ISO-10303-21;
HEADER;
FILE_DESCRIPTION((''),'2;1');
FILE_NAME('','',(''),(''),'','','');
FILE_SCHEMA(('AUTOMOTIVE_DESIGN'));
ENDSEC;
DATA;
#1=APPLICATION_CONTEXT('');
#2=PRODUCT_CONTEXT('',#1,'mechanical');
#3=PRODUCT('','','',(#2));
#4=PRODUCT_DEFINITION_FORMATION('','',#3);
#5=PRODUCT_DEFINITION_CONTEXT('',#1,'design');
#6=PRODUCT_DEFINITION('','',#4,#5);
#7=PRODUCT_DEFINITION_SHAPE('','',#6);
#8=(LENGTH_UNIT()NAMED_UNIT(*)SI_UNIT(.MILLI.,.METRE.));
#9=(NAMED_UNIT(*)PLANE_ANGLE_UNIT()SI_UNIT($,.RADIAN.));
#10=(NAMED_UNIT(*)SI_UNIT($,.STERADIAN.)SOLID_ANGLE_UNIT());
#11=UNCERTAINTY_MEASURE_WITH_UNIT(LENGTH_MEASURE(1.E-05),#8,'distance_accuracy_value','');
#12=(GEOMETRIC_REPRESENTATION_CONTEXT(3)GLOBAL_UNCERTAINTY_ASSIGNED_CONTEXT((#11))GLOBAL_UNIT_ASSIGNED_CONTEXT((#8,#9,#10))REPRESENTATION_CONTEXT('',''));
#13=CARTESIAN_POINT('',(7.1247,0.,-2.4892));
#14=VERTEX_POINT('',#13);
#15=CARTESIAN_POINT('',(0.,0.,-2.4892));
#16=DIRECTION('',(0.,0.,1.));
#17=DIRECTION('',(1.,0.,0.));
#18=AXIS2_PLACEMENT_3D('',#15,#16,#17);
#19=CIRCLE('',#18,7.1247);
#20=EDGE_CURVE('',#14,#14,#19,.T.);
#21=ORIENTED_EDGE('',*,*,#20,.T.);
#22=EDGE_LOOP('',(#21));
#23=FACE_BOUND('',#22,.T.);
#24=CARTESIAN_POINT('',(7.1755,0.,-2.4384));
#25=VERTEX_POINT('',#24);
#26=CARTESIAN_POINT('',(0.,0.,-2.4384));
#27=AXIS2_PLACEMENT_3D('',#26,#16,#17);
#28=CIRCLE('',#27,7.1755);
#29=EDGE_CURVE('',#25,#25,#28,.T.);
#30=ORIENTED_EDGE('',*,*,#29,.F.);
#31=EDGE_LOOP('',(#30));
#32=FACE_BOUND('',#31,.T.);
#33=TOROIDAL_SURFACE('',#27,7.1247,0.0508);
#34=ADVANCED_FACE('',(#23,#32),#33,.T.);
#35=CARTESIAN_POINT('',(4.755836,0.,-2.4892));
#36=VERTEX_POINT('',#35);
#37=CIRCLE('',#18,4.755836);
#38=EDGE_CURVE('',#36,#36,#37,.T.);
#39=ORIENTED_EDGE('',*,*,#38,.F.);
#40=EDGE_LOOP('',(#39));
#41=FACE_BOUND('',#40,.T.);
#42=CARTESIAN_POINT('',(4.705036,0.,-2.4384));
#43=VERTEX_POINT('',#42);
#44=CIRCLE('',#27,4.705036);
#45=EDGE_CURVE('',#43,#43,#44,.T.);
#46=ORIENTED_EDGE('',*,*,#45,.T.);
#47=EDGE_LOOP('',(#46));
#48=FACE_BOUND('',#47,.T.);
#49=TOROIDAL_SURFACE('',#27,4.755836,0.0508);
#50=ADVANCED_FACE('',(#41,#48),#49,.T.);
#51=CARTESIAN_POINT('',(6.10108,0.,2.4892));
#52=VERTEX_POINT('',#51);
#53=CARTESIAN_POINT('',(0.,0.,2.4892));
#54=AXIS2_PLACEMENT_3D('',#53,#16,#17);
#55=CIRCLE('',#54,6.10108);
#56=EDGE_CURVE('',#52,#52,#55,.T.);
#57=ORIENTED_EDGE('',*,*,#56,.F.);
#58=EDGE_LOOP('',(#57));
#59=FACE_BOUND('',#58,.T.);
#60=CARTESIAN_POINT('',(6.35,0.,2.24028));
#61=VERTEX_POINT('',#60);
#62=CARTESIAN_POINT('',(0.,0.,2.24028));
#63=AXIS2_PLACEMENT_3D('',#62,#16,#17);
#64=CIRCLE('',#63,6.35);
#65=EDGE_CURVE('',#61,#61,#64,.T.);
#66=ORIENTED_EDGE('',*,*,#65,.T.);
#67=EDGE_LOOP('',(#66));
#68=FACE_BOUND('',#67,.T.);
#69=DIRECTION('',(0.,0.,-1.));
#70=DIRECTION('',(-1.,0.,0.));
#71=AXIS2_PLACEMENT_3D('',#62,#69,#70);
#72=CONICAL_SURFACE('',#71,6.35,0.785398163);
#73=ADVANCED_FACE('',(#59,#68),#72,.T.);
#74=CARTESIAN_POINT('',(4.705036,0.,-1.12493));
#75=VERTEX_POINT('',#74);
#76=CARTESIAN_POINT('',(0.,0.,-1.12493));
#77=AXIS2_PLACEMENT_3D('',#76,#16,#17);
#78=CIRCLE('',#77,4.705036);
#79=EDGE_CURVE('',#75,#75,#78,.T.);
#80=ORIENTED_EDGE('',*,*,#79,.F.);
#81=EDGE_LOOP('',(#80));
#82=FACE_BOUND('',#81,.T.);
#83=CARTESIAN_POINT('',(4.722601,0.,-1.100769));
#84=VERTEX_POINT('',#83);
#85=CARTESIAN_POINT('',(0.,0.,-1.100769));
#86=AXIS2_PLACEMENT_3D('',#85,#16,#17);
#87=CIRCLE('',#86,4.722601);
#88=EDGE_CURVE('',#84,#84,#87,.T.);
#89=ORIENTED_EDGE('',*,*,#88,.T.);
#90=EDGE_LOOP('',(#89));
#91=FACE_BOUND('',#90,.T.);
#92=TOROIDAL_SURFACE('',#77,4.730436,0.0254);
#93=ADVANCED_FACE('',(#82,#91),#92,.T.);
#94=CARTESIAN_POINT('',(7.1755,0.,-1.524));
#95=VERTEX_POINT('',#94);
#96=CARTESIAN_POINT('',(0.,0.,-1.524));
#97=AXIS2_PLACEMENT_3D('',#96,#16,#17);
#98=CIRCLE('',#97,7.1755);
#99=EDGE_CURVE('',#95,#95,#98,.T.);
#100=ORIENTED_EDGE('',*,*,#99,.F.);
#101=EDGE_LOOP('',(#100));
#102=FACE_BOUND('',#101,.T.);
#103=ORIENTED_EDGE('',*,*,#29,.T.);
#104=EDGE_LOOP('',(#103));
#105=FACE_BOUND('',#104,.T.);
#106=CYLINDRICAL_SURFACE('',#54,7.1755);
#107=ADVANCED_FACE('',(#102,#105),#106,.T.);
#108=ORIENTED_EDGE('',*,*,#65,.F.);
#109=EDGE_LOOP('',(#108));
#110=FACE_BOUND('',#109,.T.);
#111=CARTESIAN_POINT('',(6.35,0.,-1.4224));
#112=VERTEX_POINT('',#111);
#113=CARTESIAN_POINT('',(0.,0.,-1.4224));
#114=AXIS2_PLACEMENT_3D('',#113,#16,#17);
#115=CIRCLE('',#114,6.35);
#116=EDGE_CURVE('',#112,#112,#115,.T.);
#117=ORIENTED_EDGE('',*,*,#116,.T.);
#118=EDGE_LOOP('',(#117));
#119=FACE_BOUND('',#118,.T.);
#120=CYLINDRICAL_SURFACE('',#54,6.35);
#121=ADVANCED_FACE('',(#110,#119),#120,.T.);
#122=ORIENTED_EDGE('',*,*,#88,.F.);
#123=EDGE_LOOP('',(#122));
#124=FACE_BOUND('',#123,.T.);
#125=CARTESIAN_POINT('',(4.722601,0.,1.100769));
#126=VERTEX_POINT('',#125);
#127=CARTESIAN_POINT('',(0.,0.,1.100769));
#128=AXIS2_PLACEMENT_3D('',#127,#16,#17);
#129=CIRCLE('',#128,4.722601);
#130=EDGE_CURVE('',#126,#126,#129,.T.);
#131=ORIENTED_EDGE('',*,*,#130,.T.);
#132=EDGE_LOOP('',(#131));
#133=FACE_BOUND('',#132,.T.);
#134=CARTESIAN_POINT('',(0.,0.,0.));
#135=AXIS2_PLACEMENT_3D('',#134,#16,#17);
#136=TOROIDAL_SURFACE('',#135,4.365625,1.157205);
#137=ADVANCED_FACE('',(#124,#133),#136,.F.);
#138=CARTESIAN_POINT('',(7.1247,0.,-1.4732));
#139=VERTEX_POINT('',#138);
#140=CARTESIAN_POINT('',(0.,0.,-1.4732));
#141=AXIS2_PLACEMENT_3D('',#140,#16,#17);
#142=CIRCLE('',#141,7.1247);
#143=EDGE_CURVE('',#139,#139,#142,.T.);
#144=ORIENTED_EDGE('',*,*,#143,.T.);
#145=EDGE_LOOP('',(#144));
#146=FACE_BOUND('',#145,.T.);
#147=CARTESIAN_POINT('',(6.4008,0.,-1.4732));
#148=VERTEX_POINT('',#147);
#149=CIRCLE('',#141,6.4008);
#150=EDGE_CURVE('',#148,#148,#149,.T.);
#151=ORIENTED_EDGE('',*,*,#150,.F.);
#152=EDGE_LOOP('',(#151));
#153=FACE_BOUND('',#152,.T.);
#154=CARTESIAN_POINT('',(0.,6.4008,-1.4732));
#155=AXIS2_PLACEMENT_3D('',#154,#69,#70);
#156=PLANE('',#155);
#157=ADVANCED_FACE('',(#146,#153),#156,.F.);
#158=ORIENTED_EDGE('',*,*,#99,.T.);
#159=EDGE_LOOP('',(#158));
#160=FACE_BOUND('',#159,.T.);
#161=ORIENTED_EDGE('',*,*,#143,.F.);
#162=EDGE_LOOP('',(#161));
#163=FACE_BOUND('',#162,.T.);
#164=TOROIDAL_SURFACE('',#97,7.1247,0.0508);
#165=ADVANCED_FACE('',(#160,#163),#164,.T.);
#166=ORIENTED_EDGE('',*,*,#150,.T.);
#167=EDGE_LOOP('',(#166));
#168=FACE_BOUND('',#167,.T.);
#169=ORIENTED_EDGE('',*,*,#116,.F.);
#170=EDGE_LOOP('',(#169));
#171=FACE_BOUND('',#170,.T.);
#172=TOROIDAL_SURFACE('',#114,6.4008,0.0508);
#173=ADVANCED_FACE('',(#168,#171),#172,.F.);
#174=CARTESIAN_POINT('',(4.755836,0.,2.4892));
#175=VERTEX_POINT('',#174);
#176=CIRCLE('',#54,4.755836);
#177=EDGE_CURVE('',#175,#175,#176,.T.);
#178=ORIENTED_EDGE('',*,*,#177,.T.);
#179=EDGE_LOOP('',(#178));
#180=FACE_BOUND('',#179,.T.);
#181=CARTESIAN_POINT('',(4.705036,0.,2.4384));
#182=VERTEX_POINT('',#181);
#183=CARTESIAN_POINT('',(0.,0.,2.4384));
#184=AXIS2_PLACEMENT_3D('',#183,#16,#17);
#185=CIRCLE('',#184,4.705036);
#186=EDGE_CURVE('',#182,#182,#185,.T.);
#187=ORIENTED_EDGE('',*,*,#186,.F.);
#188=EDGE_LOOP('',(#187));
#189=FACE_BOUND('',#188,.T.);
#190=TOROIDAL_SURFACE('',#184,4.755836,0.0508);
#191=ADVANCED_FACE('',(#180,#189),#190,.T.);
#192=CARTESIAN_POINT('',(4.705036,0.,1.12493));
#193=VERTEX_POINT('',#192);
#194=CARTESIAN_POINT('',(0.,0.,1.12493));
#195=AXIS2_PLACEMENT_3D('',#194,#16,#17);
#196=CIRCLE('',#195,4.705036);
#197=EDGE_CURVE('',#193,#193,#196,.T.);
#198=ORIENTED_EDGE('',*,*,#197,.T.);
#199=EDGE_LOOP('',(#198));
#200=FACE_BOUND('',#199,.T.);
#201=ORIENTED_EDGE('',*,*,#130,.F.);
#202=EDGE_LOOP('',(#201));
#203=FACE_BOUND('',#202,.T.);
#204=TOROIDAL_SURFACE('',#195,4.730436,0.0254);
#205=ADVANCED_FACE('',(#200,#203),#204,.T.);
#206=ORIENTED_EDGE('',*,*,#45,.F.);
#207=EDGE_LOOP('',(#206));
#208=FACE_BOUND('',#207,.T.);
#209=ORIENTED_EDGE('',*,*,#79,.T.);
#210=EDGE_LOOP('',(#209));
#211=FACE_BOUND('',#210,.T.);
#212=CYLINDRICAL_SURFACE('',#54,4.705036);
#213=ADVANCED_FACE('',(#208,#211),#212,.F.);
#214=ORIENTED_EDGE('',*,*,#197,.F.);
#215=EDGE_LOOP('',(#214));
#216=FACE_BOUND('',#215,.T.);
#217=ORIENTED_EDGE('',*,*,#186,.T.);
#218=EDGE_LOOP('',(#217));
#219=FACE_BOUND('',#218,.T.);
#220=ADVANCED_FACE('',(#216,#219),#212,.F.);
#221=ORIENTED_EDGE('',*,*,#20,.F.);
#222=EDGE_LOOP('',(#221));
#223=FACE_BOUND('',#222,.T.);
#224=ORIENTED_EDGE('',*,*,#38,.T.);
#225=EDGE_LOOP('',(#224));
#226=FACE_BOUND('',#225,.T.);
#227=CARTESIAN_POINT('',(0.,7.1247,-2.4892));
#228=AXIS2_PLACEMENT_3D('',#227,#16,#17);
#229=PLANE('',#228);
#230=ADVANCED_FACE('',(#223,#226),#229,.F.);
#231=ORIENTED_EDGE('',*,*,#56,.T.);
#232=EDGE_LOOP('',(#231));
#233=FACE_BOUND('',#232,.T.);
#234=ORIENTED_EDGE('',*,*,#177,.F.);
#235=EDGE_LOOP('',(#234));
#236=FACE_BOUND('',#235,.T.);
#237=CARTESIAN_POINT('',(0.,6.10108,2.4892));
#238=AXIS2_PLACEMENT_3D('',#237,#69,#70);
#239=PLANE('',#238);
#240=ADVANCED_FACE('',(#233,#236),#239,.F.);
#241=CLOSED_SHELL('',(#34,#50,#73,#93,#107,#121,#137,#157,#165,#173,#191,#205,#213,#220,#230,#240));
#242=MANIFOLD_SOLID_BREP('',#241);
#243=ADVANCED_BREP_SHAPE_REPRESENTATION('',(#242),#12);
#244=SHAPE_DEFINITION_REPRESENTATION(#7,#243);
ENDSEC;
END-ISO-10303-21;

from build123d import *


with BuildPart() as part:
    # Outer Bearing Race Profile → Outer Bearing Race (revolve)
    with BuildSketch(Plane(origin=(0, 0, 0), x_dir=(0, 0, -1), z_dir=(1, 0, 0))):
        with BuildLine():
            Line((1.4224, 6.35), (-2.24028, 6.35))
            Line((-2.24028, 6.35), (-2.4892, 6.10108))
            Line((-2.4892, 6.10108), (-2.4892, 4.755835989))
            ThreePointArc((-2.4892, 4.755835989), (-2.474321024, 4.719914965), (-2.4384, 4.705035989))
            Line((-2.4384, 4.705035989), (-1.12493032, 4.705035989))
            ThreePointArc((-1.12493032, 4.705035989), (-1.109994783, 4.709891167), (-1.100769063, 4.722600578))
            ThreePointArc((-1.100769063, 4.722600578), (0, 5.522830295), (1.100769063, 4.722600578))
            ThreePointArc((1.100769063, 4.722600578), (1.109994783, 4.709891167), (1.12493032, 4.705035989))
            Line((1.12493032, 4.705035989), (2.4384, 4.705035989))
            ThreePointArc((2.4384, 4.705035989), (2.474321024, 4.719914965), (2.4892, 4.755835989))
            Line((2.4892, 4.755835989), (2.4892, 7.1247))
            ThreePointArc((2.4892, 7.1247), (2.474321024, 7.160621024), (2.4384, 7.1755))
            Line((2.4384, 7.1755), (1.524, 7.1755))
            ThreePointArc((1.524, 7.1755), (1.488078976, 7.160621024), (1.4732, 7.1247))
            Line((1.4732, 7.1247), (1.4732, 6.4008))
            ThreePointArc((1.4732, 6.4008), (1.458321024, 6.364878976), (1.4224, 6.35))
        make_face()
    revolve(axis=Axis((0, 0, 2.4892), (0, 0, -1)))


solid = part.part
